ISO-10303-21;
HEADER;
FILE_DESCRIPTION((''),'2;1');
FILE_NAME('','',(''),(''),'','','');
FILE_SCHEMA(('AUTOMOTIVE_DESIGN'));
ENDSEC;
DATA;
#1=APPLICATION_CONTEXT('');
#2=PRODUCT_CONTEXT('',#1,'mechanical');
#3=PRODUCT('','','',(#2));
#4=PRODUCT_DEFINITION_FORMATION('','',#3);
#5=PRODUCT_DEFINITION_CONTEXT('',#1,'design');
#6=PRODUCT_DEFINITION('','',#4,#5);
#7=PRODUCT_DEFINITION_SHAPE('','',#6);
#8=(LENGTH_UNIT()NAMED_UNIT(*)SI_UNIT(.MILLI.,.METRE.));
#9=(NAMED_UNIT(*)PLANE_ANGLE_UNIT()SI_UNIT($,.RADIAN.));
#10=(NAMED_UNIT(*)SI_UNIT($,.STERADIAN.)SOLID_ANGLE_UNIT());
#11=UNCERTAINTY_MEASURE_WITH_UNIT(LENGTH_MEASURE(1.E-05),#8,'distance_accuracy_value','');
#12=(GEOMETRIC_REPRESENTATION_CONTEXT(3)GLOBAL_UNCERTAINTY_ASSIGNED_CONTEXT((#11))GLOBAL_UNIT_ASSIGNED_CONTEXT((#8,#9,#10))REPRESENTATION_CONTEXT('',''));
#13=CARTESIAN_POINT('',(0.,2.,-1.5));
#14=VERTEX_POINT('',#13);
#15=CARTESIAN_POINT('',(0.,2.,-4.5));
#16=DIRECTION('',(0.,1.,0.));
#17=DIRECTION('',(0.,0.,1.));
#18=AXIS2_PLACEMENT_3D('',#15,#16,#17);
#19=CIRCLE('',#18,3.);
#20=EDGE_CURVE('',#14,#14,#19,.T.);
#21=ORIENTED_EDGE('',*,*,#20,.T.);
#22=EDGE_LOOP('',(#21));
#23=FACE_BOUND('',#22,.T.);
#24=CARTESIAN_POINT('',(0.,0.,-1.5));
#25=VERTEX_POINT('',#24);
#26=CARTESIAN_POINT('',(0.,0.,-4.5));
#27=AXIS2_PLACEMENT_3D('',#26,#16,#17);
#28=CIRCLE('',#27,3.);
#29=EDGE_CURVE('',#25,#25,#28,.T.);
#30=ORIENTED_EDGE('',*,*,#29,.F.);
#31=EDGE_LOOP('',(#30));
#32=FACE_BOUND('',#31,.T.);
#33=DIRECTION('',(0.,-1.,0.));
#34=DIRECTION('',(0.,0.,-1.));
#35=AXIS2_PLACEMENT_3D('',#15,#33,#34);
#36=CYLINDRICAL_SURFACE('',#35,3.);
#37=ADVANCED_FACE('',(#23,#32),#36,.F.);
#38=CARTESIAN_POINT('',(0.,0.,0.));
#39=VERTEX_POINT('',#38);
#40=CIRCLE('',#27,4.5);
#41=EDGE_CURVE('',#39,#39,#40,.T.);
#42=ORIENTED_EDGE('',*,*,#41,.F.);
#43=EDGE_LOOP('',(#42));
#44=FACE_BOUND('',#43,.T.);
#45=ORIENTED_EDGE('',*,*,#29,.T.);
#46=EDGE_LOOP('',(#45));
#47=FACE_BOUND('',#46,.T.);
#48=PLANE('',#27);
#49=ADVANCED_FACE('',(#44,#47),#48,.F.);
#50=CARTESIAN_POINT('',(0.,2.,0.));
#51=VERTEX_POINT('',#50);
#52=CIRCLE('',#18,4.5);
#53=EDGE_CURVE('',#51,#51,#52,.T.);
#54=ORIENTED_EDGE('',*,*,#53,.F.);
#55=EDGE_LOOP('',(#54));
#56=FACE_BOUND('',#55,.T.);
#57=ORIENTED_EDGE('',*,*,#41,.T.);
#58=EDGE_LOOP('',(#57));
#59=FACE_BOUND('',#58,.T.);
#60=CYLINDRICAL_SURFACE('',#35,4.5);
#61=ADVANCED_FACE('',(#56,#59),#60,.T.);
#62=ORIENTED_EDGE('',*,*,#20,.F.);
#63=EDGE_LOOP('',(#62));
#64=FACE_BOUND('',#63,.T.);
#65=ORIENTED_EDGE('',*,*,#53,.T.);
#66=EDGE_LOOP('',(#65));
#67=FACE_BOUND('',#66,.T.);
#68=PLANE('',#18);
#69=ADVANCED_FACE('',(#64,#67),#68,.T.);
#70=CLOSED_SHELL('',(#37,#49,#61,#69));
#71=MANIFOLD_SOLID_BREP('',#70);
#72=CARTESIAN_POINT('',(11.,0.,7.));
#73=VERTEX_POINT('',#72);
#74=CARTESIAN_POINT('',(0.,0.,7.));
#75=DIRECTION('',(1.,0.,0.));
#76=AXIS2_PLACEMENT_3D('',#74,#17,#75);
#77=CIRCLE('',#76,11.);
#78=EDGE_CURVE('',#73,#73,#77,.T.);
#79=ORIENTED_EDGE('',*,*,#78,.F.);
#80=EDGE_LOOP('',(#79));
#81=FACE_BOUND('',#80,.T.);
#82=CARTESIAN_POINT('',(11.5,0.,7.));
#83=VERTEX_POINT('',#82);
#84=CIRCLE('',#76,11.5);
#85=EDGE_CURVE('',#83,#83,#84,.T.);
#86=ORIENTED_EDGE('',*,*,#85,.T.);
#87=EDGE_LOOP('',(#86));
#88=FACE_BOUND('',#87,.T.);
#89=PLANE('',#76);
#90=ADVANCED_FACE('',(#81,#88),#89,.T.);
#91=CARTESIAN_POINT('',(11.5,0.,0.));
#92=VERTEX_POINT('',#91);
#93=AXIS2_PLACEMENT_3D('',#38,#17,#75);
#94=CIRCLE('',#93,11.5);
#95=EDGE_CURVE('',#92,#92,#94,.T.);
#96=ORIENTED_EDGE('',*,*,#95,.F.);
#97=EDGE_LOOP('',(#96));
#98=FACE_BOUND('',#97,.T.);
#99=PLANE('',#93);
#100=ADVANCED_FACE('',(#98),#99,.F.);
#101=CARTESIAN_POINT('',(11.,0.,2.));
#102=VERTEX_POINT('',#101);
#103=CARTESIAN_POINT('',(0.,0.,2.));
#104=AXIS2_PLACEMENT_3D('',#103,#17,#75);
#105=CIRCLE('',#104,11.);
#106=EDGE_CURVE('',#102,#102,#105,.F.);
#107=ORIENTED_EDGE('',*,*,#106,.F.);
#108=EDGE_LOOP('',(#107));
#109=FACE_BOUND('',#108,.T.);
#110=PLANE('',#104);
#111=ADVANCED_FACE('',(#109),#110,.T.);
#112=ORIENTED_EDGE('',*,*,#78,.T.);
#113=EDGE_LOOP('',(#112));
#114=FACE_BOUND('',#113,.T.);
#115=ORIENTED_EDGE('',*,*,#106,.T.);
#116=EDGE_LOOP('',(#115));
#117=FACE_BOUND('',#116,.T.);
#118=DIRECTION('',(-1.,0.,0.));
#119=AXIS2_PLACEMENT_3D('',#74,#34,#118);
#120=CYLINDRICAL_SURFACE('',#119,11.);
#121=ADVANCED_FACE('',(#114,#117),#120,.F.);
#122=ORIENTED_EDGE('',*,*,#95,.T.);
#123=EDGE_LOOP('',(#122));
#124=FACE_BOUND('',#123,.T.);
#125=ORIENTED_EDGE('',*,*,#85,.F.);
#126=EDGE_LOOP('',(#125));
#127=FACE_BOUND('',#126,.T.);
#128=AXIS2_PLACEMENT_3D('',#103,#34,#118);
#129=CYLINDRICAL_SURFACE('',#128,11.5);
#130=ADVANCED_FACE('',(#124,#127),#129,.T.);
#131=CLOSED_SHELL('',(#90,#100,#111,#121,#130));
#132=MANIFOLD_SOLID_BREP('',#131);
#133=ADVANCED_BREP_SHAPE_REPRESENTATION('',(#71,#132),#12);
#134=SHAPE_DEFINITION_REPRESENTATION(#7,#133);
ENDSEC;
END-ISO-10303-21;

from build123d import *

# Parameters (mm, degrees)
SKETCH1_R           = 11.5
BOSS_EXTRUDE1_DEPTH = 2
SKETCH2_R           = 11.5
SKETCH2_R_2         = 11
BOSS_EXTRUDE2_DEPTH = 5
SKETCH3_R           = 4.5
SKETCH3_R_2         = 3
BOSS_EXTRUDE3_DEPTH = 2


with BuildPart() as part:
    # Sketch1 → Boss-Extrude1 (new body)
    with BuildSketch(Plane.XY):
        Circle(SKETCH1_R)
    extrude(amount=BOSS_EXTRUDE1_DEPTH)

    # Sketch2 → Boss-Extrude2 (add)
    with BuildSketch(Plane.XY.offset(2)):
        Circle(SKETCH2_R)
        Circle(SKETCH2_R_2, mode=Mode.SUBTRACT)
    extrude(amount=BOSS_EXTRUDE2_DEPTH)


with BuildPart() as body_2:
    # Sketch3 → Boss-Extrude3 (new body)
    with BuildSketch(Plane(origin=(0, 0, 0), x_dir=(1, 0, 0), z_dir=(0, 1, 0))):
        with Locations(Location((0, 4.5, 0), (0, 0, 270))):
            Circle(SKETCH3_R)
        with Locations(Location((0, 4.5, 0), (0, 0, 270))):
            Circle(SKETCH3_R_2, mode=Mode.SUBTRACT)
    extrude(amount=BOSS_EXTRUDE3_DEPTH)


solid = Compound([part.part, body_2.part])
